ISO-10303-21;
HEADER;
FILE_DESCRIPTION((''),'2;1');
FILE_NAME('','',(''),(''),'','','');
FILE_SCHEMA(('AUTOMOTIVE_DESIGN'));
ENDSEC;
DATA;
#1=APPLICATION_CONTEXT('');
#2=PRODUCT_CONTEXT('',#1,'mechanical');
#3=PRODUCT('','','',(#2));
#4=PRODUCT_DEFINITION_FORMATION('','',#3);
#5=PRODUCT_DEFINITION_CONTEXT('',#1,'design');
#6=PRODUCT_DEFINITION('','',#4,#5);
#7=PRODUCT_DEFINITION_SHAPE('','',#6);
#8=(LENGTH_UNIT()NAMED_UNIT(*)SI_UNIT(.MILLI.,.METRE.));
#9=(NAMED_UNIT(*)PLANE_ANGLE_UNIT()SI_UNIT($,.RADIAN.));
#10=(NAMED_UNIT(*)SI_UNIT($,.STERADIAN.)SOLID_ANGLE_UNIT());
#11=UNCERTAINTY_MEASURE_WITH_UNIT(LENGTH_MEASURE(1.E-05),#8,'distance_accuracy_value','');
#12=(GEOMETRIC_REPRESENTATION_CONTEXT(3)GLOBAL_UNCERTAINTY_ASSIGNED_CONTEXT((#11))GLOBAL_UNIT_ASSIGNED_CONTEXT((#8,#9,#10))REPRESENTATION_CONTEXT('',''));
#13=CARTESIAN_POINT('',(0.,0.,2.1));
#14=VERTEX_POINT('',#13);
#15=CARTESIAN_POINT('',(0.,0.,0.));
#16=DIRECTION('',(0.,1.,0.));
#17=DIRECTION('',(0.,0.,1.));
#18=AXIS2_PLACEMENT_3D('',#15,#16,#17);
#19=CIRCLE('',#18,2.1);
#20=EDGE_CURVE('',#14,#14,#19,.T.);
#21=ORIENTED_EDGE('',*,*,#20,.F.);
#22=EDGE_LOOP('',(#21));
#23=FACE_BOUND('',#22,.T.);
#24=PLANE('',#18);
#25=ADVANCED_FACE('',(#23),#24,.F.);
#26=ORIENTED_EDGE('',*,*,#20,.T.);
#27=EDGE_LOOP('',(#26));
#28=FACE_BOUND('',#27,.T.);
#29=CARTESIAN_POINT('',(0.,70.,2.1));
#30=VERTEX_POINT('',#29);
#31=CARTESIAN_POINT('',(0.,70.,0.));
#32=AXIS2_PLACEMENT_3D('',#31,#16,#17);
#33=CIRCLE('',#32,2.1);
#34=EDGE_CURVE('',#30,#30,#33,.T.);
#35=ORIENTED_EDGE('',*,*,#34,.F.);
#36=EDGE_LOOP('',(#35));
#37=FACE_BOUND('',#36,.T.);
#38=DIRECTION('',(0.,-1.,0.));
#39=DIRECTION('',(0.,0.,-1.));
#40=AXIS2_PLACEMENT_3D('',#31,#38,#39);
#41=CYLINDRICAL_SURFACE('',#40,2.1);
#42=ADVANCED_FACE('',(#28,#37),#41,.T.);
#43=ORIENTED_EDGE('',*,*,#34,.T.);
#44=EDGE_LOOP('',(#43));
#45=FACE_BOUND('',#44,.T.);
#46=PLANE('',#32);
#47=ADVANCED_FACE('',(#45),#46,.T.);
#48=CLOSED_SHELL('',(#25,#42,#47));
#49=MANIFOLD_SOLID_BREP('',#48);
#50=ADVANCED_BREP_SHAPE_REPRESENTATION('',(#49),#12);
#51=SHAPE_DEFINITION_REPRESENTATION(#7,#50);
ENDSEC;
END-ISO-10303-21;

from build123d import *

# Parameters (mm, degrees)
SKETCH_1_R      = 2.1
EXTRUDE_1_DEPTH = 70


with BuildPart() as part:
    # 草图1 → 凸台-拉伸1 (new body)
    with BuildSketch(Plane(origin=(0, 0, 0), x_dir=(1, 0, 0), z_dir=(0, 1, 0))):
        with Locations(Location((0, 0, 0), (0, 0, 270))):
            Circle(SKETCH_1_R)
    extrude(amount=EXTRUDE_1_DEPTH)


solid = part.part
